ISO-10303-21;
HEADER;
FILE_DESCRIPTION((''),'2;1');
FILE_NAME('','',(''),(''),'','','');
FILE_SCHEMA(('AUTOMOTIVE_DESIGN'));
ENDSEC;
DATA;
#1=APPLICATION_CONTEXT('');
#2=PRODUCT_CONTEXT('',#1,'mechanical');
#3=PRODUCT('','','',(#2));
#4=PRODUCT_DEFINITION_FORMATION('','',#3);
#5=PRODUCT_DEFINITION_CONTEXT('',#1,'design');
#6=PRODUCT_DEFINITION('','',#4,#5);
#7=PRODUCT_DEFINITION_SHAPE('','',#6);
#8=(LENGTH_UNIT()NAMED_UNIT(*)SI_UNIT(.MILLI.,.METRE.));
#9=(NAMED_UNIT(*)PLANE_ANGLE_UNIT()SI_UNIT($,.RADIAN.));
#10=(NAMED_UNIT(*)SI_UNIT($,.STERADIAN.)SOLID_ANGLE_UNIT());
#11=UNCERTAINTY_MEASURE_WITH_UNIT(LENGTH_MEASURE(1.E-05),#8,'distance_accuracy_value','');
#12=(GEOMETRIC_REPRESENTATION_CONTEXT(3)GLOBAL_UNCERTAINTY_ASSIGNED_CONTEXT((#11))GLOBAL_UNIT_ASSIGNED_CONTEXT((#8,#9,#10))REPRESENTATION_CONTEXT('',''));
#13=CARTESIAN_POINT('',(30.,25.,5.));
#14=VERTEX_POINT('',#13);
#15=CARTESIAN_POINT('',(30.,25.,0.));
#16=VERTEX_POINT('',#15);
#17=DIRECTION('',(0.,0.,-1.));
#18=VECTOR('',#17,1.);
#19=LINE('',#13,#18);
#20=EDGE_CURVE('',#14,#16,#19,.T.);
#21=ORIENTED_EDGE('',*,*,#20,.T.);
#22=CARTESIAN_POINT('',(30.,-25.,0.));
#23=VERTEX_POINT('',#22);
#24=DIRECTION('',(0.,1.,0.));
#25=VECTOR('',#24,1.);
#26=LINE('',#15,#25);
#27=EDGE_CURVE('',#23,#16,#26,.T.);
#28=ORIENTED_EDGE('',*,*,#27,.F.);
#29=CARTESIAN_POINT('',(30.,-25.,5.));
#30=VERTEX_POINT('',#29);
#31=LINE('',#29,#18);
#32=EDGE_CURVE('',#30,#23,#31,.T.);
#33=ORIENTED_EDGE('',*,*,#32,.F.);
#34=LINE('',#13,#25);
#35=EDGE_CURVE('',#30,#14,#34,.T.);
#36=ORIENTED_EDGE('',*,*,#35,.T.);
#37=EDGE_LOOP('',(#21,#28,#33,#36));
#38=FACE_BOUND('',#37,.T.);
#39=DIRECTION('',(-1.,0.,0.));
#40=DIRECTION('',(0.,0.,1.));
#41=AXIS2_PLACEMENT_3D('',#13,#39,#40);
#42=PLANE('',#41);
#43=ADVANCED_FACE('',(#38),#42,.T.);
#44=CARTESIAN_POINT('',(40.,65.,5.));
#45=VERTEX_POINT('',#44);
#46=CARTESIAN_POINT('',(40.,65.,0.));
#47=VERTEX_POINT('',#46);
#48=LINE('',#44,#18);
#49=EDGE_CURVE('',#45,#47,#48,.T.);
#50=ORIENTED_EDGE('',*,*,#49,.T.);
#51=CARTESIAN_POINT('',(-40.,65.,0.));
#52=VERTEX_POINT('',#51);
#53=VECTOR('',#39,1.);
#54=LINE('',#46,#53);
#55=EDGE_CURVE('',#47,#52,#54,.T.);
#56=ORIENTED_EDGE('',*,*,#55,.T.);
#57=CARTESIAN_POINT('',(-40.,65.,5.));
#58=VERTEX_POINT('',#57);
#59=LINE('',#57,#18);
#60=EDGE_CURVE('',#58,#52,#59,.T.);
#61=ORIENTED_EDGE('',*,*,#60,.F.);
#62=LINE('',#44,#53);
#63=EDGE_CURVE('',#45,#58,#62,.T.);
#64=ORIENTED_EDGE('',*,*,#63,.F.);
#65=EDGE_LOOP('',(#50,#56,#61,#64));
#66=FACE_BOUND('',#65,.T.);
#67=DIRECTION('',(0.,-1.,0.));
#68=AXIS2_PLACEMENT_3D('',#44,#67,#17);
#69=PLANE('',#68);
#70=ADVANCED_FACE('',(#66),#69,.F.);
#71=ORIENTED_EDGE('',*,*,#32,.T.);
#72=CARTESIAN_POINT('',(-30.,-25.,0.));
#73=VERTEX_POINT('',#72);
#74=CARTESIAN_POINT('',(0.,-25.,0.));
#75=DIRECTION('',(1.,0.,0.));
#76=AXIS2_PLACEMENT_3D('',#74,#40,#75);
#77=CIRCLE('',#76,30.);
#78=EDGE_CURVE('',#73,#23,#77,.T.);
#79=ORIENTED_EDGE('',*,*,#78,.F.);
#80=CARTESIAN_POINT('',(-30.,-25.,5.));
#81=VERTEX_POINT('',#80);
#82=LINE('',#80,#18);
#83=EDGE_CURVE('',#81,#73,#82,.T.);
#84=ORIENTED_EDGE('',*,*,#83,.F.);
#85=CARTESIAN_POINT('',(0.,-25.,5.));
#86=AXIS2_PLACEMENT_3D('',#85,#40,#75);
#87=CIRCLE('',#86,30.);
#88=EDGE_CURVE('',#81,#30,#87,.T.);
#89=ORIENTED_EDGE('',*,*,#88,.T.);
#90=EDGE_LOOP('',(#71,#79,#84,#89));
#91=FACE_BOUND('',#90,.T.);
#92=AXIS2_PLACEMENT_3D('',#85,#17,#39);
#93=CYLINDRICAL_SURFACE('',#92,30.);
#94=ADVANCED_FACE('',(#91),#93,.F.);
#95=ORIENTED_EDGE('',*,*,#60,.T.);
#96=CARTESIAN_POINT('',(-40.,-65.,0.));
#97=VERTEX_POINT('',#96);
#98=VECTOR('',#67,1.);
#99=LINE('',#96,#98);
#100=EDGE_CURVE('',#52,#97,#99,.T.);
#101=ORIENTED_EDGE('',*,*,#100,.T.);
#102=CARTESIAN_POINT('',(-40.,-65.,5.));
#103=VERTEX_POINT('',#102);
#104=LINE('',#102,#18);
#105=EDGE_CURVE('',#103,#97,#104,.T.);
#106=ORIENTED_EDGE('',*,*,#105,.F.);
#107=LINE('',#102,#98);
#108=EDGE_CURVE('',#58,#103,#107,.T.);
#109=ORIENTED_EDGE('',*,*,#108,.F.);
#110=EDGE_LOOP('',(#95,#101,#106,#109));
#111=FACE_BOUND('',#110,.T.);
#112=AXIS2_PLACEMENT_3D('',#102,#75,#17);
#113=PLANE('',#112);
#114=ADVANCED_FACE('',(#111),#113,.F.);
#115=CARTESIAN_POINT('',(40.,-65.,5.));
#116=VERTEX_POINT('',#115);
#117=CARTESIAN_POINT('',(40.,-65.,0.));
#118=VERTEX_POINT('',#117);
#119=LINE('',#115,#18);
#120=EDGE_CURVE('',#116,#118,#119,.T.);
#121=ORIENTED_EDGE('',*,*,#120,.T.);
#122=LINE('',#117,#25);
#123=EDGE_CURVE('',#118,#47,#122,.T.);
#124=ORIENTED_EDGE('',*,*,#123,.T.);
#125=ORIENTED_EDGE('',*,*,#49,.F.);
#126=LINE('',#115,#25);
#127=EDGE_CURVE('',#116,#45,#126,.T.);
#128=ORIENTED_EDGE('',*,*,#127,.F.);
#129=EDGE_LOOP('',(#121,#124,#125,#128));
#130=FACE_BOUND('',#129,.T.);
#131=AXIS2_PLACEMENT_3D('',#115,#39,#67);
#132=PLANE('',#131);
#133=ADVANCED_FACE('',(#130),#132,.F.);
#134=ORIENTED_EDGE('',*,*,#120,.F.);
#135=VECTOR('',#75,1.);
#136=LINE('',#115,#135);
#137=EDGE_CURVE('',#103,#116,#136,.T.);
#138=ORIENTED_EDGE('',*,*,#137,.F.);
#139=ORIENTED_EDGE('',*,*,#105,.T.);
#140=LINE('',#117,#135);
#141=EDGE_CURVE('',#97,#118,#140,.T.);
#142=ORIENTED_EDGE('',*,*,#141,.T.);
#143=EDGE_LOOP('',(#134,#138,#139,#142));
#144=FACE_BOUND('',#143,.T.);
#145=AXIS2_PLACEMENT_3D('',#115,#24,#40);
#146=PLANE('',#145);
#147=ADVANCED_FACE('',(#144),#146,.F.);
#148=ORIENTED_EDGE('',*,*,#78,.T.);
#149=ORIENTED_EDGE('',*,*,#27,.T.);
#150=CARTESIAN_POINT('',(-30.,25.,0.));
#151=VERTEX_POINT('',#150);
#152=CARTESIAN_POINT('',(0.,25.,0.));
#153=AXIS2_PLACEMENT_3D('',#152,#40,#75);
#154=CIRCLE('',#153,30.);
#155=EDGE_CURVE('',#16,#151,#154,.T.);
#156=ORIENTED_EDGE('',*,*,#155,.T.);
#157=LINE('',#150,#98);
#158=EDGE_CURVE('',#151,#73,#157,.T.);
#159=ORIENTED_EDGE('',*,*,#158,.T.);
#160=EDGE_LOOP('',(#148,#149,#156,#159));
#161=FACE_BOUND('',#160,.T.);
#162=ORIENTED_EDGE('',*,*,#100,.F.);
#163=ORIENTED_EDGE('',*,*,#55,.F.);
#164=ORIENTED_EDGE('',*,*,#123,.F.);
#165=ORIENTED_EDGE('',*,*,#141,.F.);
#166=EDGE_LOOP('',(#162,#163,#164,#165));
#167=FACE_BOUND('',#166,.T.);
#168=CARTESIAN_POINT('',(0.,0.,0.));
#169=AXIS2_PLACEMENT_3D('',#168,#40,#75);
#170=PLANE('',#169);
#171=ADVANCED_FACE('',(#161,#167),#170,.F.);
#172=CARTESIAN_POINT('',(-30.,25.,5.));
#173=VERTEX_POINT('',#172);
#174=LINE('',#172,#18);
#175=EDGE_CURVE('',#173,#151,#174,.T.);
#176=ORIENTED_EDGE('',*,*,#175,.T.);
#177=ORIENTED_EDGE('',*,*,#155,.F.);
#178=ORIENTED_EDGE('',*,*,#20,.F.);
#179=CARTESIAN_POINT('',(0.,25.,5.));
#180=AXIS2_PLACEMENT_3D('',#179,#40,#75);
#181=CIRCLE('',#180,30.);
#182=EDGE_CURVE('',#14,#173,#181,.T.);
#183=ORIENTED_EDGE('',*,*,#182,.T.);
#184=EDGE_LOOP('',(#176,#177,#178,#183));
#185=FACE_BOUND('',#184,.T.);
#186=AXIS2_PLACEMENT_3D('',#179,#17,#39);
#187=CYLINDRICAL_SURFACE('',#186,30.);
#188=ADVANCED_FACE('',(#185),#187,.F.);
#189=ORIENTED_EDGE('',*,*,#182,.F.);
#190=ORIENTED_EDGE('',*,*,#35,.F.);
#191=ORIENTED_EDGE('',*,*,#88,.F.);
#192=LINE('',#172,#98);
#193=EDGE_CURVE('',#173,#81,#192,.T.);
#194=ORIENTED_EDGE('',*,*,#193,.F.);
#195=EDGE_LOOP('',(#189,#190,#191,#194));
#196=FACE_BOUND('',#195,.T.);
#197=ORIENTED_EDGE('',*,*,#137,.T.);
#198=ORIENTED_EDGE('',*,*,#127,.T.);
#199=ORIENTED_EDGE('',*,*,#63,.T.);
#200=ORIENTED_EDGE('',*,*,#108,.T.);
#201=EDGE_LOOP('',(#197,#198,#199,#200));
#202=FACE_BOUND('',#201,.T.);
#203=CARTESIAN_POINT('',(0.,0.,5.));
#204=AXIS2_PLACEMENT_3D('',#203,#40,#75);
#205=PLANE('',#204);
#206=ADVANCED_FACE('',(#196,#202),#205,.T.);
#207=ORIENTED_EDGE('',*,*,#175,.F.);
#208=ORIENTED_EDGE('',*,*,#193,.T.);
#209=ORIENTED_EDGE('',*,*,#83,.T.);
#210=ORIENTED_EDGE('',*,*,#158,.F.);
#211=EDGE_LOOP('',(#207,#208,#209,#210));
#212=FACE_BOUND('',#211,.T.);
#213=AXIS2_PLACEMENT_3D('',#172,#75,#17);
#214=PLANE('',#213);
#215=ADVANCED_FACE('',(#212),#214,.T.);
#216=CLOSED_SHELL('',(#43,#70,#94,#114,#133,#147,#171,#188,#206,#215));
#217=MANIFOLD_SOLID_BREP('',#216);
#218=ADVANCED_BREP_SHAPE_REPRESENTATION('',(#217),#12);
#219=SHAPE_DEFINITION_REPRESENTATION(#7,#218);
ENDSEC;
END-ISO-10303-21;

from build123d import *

# Parameters (mm, degrees)
SKETCH_1_W      = 80
SKETCH_1_H      = 130
EXTRUDE_1_DEPTH = 5


with BuildPart() as part:
    # Эскиз1 → Бобышка-Вытянуть1 (new body)
    with BuildSketch(Plane.XY):
        Rectangle(SKETCH_1_W, SKETCH_1_H)
        with BuildLine():
            Line((30, 25), (30, -25))
            ThreePointArc((30, -25), (0, -55), (-30, -25))
            Line((-30, -25), (-30, 25))
            ThreePointArc((-30, 25), (0, 55), (30, 25))
        make_face(mode=Mode.SUBTRACT)
    extrude(amount=EXTRUDE_1_DEPTH)


solid = part.part
